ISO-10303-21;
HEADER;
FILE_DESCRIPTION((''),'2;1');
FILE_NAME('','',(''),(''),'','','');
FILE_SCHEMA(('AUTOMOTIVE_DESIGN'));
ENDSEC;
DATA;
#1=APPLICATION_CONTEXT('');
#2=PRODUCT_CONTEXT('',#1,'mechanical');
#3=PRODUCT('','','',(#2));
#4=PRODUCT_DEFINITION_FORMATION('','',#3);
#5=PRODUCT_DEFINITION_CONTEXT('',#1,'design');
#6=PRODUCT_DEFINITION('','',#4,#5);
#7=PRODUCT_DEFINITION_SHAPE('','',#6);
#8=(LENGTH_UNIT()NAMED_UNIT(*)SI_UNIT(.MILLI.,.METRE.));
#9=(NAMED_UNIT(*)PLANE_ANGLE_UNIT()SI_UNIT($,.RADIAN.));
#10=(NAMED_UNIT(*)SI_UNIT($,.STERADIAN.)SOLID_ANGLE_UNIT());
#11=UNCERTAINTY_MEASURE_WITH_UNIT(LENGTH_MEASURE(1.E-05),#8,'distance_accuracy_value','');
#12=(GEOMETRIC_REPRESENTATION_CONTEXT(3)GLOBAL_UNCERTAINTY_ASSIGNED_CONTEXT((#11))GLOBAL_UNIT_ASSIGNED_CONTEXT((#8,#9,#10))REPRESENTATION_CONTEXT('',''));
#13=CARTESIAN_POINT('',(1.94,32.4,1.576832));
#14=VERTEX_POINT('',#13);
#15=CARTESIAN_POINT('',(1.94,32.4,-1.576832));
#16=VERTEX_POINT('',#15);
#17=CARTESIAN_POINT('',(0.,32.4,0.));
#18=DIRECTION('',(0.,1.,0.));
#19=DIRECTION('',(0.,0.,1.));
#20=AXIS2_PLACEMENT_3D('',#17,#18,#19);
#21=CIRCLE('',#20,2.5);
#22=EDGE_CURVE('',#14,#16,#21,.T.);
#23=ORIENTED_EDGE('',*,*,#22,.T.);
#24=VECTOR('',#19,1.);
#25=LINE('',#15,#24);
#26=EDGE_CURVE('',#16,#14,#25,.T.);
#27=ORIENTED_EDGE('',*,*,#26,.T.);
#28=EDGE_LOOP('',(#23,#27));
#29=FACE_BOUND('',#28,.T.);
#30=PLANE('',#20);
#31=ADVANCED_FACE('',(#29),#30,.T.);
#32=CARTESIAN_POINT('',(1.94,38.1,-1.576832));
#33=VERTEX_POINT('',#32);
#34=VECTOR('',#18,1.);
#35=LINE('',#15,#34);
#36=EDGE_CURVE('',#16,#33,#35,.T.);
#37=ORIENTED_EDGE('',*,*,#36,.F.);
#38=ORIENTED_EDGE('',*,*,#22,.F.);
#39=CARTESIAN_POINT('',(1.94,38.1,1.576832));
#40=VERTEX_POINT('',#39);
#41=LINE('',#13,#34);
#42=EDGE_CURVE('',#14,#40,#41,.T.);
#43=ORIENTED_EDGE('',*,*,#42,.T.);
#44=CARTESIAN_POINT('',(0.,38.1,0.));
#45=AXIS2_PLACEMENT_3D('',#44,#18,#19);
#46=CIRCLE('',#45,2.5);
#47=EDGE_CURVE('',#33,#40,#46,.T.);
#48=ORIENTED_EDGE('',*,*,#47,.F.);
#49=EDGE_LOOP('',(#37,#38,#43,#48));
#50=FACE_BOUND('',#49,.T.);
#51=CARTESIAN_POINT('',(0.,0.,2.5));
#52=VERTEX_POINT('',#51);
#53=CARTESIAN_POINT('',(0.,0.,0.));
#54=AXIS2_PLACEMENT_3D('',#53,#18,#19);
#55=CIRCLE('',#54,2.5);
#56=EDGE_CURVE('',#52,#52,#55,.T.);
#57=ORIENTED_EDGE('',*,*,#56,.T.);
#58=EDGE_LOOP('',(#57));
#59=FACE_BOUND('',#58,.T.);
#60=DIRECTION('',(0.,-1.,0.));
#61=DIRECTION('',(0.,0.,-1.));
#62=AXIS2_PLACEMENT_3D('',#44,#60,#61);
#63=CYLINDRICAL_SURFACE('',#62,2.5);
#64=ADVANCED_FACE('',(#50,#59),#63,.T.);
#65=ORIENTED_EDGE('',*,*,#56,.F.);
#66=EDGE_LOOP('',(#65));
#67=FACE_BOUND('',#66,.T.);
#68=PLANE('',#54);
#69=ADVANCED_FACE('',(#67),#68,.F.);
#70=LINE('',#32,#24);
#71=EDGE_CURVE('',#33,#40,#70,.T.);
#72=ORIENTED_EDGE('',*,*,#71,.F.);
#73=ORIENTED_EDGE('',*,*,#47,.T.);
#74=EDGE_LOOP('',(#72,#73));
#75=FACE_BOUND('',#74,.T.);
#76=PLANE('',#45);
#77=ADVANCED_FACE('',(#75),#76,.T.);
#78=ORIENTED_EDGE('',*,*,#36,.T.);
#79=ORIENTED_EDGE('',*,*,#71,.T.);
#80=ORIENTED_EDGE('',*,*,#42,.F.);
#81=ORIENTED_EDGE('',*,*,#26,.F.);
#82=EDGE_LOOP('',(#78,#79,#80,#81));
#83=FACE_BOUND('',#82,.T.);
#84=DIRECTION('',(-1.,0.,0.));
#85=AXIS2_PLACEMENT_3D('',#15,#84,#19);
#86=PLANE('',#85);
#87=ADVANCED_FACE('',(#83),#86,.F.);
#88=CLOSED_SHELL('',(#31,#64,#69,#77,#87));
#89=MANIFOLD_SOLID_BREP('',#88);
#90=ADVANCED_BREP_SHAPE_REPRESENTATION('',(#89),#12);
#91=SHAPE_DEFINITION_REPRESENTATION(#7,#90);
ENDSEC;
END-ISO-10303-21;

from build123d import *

# Parameters (mm, degrees)
SKETCH1_R           = 2.5
BOSS_EXTRUDE1_DEPTH = 38.1
CUT_EXTRUDE1_START  = -5.7
CUT_EXTRUDE1_DEPTH  = 5.7


with BuildPart() as part:
    # Sketch1 → Boss-Extrude1 (new body)
    with BuildSketch(Plane(origin=(0, 0, 0), x_dir=(1, 0, 0), z_dir=(0, 1, 0))):
        with Locations(Location((0, 0, 0), (0, 0, 90))):
            Circle(SKETCH1_R)
    extrude(amount=BOSS_EXTRUDE1_DEPTH)

    # Sketch2 → Cut-Extrude1 (cut)
    with BuildSketch(Plane(origin=(0, 38.1, 0), x_dir=(1, 0, 0), z_dir=(0, 1, 0)).offset(CUT_EXTRUDE1_START)):
        with BuildLine():
            Line((1.94, 1.576832268), (1.94, -1.576832268))
            ThreePointArc((1.94, -1.576832268), (2.5, 0), (1.94, 1.576832268))
        make_face()
    extrude(amount=CUT_EXTRUDE1_DEPTH, mode=Mode.SUBTRACT)


solid = part.part
